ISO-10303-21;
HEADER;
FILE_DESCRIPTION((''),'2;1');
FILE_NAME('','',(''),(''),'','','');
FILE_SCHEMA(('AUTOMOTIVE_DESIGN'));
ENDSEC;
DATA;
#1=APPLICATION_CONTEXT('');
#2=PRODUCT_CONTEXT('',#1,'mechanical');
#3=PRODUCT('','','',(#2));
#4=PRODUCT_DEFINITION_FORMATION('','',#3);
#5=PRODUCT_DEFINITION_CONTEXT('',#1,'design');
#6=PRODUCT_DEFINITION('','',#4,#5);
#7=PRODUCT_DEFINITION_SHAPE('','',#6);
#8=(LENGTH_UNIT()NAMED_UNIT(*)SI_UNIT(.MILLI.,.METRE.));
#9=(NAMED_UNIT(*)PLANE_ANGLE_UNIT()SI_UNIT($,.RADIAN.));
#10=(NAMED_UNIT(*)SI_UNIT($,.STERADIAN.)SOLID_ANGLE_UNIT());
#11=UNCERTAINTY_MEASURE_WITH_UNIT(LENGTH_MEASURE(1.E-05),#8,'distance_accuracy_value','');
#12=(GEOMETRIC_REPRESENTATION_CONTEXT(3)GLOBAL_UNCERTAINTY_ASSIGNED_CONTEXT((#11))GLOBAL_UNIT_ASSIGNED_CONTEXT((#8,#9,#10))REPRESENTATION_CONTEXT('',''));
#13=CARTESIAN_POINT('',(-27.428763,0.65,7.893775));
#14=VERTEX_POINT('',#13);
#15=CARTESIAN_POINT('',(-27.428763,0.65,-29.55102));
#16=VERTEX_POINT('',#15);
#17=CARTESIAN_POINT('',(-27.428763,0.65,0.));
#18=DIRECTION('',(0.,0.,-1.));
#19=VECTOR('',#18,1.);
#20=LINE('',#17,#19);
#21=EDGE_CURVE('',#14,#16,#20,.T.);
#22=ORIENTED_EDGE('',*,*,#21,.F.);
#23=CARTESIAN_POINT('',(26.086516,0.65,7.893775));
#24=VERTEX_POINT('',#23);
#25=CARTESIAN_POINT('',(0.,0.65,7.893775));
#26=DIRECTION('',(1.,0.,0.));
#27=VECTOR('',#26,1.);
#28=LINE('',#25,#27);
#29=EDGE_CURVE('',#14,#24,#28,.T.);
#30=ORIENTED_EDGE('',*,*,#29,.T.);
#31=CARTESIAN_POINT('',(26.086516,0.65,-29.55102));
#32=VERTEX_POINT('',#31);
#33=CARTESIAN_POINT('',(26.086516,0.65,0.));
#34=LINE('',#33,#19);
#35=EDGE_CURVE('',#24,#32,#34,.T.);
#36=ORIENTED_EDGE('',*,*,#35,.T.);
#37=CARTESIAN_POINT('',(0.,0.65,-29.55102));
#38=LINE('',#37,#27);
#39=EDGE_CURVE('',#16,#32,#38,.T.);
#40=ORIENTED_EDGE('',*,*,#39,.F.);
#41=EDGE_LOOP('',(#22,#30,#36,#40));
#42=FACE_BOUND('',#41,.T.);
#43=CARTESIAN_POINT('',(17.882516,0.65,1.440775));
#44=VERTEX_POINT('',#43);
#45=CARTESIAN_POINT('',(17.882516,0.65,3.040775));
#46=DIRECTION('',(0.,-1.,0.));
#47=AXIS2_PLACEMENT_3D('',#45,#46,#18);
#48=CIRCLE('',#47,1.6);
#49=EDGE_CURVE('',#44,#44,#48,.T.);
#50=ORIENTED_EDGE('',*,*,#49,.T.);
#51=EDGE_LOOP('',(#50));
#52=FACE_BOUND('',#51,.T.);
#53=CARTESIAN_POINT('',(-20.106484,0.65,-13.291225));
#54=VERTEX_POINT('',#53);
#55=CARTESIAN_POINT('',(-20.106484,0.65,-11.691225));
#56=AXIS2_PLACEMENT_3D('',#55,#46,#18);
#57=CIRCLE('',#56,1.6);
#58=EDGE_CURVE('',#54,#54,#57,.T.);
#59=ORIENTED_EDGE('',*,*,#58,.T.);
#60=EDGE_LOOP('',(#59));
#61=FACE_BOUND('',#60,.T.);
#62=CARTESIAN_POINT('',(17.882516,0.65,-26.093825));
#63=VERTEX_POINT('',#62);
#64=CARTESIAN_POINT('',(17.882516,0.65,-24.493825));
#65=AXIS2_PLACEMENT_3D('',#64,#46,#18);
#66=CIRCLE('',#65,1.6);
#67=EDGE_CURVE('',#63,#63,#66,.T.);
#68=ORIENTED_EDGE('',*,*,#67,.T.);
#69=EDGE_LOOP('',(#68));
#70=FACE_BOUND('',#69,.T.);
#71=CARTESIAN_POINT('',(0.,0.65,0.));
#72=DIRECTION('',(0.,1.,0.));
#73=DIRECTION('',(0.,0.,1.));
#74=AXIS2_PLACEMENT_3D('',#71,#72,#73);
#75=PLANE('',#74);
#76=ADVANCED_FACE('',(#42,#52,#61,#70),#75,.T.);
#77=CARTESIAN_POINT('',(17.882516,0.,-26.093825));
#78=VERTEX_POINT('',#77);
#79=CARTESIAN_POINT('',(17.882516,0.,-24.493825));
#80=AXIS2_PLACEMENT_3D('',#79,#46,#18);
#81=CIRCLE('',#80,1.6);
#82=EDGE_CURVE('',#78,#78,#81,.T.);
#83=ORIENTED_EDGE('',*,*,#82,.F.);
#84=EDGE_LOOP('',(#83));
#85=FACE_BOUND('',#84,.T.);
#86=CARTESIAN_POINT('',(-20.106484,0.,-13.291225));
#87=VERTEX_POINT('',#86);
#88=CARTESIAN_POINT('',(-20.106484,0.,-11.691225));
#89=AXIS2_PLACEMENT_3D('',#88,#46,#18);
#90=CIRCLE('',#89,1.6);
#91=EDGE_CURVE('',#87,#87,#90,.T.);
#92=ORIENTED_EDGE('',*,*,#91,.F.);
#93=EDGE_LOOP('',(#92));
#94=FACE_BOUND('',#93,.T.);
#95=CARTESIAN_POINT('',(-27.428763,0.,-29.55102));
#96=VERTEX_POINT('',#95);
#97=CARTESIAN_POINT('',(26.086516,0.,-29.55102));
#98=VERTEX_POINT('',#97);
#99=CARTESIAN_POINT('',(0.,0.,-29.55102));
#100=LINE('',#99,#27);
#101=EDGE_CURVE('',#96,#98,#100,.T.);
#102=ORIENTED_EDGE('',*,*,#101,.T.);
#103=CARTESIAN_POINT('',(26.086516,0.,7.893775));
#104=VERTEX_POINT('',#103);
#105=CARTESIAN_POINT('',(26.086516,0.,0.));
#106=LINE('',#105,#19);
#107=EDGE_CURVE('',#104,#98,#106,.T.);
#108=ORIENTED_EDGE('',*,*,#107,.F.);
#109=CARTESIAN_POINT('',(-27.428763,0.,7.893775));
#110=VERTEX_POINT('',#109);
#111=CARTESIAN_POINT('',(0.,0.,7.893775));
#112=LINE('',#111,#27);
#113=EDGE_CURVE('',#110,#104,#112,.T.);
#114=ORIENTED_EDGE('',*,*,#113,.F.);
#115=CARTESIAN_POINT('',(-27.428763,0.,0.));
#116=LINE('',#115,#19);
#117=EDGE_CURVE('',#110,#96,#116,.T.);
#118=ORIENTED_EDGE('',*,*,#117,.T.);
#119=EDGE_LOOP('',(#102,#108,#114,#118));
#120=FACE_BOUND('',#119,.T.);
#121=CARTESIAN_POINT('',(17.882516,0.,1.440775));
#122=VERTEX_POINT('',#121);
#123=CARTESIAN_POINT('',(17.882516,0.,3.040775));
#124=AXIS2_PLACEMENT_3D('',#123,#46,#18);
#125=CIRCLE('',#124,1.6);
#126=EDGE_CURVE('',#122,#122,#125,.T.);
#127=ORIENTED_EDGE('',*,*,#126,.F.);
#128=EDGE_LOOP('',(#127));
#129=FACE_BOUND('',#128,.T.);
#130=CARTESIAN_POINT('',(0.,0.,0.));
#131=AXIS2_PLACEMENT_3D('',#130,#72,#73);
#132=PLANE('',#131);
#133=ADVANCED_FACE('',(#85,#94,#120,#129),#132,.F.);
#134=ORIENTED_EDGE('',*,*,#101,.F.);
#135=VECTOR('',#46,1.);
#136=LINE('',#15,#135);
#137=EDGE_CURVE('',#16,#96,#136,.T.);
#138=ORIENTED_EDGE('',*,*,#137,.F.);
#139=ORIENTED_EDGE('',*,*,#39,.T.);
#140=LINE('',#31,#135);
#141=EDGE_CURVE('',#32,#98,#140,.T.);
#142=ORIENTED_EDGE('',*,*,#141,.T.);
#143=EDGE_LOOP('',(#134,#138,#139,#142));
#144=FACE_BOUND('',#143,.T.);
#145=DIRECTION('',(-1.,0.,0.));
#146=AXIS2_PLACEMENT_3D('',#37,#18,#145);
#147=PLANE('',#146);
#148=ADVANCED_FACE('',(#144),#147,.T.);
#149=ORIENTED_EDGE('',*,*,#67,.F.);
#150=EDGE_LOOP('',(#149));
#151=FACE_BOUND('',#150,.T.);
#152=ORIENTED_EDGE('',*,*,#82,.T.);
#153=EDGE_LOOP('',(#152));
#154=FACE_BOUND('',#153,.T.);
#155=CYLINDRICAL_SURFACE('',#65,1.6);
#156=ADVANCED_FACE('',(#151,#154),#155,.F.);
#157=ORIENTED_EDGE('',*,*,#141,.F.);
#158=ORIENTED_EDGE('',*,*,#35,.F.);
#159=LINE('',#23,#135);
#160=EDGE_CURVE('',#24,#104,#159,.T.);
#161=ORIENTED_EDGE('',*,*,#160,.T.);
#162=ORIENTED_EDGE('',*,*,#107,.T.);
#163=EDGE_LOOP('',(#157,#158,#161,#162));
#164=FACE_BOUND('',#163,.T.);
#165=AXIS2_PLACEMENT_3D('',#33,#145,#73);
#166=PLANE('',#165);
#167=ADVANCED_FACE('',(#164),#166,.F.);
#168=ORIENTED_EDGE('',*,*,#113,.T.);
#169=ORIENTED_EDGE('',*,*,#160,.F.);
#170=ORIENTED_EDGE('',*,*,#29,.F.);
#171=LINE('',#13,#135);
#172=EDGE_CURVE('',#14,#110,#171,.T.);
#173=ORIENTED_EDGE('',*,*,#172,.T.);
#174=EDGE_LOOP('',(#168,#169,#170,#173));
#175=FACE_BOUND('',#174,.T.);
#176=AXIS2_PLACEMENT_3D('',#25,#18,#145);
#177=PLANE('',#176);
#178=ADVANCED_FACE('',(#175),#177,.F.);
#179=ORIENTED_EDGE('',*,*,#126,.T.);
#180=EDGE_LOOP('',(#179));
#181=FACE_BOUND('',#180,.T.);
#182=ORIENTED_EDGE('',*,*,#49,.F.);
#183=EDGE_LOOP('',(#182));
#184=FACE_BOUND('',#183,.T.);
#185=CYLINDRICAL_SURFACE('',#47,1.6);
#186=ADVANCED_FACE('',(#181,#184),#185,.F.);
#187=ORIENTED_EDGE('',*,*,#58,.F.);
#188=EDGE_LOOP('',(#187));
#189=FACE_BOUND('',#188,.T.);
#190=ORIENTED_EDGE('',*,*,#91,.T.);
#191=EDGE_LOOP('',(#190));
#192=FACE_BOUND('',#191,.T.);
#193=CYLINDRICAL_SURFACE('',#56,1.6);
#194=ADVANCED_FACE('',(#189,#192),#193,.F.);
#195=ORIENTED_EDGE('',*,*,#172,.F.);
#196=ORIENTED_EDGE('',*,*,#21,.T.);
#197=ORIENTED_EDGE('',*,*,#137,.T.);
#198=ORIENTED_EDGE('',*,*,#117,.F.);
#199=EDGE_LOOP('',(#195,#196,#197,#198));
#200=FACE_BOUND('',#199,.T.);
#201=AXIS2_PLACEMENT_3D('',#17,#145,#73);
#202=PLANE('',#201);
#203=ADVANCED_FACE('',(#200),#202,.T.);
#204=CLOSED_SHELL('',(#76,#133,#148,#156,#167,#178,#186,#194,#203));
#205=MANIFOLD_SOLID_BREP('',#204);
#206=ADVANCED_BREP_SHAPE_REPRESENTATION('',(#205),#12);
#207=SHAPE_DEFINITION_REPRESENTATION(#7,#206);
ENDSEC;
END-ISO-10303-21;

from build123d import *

# Parameters (mm, degrees)
SKETCH1_W           = 53.515278819
SKETCH1_H           = 1.25
BOSS_EXTRUDE1_DEPTH = 0.65
SKETCH2_R           = 1.6
CUT_EXTRUDE1_DEPTH  = 41.32396752


with BuildPart() as part:
    # Sketch1 → Boss-Extrude1 (new body)
    with BuildSketch(Plane(origin=(0, 0, 0), x_dir=(1, 0, 0), z_dir=(0, 1, 0))):
        Polygon((-27.428763177, -6.643775098), (-27.428763177, 29.222168516), (-27.428763177, 29.551020407), (26.086515642, 29.551020407), (26.086515642, 28.356224902), (26.086515642, -6.643775098), align=None)
        with Locations((-0.671123767, -7.268775098)):
            Rectangle(SKETCH1_W, SKETCH1_H)
    extrude(amount=BOSS_EXTRUDE1_DEPTH)

    # Sketch2 → Cut-Extrude1 (cut, through all)
    with BuildSketch(Plane.XZ):
        with Locations(Location((-20.106484358, -11.691224902, 0), (0, 0, 270))):
            Circle(SKETCH2_R)
        with Locations(Location((17.882515642, -24.493824902, 0), (0, 0, 270))):
            Circle(SKETCH2_R)
        with Locations(Location((17.882515642, 3.040775098, 0), (0, 0, 270))):
            Circle(SKETCH2_R)
    extrude(amount=-CUT_EXTRUDE1_DEPTH, mode=Mode.SUBTRACT)


solid = part.part
